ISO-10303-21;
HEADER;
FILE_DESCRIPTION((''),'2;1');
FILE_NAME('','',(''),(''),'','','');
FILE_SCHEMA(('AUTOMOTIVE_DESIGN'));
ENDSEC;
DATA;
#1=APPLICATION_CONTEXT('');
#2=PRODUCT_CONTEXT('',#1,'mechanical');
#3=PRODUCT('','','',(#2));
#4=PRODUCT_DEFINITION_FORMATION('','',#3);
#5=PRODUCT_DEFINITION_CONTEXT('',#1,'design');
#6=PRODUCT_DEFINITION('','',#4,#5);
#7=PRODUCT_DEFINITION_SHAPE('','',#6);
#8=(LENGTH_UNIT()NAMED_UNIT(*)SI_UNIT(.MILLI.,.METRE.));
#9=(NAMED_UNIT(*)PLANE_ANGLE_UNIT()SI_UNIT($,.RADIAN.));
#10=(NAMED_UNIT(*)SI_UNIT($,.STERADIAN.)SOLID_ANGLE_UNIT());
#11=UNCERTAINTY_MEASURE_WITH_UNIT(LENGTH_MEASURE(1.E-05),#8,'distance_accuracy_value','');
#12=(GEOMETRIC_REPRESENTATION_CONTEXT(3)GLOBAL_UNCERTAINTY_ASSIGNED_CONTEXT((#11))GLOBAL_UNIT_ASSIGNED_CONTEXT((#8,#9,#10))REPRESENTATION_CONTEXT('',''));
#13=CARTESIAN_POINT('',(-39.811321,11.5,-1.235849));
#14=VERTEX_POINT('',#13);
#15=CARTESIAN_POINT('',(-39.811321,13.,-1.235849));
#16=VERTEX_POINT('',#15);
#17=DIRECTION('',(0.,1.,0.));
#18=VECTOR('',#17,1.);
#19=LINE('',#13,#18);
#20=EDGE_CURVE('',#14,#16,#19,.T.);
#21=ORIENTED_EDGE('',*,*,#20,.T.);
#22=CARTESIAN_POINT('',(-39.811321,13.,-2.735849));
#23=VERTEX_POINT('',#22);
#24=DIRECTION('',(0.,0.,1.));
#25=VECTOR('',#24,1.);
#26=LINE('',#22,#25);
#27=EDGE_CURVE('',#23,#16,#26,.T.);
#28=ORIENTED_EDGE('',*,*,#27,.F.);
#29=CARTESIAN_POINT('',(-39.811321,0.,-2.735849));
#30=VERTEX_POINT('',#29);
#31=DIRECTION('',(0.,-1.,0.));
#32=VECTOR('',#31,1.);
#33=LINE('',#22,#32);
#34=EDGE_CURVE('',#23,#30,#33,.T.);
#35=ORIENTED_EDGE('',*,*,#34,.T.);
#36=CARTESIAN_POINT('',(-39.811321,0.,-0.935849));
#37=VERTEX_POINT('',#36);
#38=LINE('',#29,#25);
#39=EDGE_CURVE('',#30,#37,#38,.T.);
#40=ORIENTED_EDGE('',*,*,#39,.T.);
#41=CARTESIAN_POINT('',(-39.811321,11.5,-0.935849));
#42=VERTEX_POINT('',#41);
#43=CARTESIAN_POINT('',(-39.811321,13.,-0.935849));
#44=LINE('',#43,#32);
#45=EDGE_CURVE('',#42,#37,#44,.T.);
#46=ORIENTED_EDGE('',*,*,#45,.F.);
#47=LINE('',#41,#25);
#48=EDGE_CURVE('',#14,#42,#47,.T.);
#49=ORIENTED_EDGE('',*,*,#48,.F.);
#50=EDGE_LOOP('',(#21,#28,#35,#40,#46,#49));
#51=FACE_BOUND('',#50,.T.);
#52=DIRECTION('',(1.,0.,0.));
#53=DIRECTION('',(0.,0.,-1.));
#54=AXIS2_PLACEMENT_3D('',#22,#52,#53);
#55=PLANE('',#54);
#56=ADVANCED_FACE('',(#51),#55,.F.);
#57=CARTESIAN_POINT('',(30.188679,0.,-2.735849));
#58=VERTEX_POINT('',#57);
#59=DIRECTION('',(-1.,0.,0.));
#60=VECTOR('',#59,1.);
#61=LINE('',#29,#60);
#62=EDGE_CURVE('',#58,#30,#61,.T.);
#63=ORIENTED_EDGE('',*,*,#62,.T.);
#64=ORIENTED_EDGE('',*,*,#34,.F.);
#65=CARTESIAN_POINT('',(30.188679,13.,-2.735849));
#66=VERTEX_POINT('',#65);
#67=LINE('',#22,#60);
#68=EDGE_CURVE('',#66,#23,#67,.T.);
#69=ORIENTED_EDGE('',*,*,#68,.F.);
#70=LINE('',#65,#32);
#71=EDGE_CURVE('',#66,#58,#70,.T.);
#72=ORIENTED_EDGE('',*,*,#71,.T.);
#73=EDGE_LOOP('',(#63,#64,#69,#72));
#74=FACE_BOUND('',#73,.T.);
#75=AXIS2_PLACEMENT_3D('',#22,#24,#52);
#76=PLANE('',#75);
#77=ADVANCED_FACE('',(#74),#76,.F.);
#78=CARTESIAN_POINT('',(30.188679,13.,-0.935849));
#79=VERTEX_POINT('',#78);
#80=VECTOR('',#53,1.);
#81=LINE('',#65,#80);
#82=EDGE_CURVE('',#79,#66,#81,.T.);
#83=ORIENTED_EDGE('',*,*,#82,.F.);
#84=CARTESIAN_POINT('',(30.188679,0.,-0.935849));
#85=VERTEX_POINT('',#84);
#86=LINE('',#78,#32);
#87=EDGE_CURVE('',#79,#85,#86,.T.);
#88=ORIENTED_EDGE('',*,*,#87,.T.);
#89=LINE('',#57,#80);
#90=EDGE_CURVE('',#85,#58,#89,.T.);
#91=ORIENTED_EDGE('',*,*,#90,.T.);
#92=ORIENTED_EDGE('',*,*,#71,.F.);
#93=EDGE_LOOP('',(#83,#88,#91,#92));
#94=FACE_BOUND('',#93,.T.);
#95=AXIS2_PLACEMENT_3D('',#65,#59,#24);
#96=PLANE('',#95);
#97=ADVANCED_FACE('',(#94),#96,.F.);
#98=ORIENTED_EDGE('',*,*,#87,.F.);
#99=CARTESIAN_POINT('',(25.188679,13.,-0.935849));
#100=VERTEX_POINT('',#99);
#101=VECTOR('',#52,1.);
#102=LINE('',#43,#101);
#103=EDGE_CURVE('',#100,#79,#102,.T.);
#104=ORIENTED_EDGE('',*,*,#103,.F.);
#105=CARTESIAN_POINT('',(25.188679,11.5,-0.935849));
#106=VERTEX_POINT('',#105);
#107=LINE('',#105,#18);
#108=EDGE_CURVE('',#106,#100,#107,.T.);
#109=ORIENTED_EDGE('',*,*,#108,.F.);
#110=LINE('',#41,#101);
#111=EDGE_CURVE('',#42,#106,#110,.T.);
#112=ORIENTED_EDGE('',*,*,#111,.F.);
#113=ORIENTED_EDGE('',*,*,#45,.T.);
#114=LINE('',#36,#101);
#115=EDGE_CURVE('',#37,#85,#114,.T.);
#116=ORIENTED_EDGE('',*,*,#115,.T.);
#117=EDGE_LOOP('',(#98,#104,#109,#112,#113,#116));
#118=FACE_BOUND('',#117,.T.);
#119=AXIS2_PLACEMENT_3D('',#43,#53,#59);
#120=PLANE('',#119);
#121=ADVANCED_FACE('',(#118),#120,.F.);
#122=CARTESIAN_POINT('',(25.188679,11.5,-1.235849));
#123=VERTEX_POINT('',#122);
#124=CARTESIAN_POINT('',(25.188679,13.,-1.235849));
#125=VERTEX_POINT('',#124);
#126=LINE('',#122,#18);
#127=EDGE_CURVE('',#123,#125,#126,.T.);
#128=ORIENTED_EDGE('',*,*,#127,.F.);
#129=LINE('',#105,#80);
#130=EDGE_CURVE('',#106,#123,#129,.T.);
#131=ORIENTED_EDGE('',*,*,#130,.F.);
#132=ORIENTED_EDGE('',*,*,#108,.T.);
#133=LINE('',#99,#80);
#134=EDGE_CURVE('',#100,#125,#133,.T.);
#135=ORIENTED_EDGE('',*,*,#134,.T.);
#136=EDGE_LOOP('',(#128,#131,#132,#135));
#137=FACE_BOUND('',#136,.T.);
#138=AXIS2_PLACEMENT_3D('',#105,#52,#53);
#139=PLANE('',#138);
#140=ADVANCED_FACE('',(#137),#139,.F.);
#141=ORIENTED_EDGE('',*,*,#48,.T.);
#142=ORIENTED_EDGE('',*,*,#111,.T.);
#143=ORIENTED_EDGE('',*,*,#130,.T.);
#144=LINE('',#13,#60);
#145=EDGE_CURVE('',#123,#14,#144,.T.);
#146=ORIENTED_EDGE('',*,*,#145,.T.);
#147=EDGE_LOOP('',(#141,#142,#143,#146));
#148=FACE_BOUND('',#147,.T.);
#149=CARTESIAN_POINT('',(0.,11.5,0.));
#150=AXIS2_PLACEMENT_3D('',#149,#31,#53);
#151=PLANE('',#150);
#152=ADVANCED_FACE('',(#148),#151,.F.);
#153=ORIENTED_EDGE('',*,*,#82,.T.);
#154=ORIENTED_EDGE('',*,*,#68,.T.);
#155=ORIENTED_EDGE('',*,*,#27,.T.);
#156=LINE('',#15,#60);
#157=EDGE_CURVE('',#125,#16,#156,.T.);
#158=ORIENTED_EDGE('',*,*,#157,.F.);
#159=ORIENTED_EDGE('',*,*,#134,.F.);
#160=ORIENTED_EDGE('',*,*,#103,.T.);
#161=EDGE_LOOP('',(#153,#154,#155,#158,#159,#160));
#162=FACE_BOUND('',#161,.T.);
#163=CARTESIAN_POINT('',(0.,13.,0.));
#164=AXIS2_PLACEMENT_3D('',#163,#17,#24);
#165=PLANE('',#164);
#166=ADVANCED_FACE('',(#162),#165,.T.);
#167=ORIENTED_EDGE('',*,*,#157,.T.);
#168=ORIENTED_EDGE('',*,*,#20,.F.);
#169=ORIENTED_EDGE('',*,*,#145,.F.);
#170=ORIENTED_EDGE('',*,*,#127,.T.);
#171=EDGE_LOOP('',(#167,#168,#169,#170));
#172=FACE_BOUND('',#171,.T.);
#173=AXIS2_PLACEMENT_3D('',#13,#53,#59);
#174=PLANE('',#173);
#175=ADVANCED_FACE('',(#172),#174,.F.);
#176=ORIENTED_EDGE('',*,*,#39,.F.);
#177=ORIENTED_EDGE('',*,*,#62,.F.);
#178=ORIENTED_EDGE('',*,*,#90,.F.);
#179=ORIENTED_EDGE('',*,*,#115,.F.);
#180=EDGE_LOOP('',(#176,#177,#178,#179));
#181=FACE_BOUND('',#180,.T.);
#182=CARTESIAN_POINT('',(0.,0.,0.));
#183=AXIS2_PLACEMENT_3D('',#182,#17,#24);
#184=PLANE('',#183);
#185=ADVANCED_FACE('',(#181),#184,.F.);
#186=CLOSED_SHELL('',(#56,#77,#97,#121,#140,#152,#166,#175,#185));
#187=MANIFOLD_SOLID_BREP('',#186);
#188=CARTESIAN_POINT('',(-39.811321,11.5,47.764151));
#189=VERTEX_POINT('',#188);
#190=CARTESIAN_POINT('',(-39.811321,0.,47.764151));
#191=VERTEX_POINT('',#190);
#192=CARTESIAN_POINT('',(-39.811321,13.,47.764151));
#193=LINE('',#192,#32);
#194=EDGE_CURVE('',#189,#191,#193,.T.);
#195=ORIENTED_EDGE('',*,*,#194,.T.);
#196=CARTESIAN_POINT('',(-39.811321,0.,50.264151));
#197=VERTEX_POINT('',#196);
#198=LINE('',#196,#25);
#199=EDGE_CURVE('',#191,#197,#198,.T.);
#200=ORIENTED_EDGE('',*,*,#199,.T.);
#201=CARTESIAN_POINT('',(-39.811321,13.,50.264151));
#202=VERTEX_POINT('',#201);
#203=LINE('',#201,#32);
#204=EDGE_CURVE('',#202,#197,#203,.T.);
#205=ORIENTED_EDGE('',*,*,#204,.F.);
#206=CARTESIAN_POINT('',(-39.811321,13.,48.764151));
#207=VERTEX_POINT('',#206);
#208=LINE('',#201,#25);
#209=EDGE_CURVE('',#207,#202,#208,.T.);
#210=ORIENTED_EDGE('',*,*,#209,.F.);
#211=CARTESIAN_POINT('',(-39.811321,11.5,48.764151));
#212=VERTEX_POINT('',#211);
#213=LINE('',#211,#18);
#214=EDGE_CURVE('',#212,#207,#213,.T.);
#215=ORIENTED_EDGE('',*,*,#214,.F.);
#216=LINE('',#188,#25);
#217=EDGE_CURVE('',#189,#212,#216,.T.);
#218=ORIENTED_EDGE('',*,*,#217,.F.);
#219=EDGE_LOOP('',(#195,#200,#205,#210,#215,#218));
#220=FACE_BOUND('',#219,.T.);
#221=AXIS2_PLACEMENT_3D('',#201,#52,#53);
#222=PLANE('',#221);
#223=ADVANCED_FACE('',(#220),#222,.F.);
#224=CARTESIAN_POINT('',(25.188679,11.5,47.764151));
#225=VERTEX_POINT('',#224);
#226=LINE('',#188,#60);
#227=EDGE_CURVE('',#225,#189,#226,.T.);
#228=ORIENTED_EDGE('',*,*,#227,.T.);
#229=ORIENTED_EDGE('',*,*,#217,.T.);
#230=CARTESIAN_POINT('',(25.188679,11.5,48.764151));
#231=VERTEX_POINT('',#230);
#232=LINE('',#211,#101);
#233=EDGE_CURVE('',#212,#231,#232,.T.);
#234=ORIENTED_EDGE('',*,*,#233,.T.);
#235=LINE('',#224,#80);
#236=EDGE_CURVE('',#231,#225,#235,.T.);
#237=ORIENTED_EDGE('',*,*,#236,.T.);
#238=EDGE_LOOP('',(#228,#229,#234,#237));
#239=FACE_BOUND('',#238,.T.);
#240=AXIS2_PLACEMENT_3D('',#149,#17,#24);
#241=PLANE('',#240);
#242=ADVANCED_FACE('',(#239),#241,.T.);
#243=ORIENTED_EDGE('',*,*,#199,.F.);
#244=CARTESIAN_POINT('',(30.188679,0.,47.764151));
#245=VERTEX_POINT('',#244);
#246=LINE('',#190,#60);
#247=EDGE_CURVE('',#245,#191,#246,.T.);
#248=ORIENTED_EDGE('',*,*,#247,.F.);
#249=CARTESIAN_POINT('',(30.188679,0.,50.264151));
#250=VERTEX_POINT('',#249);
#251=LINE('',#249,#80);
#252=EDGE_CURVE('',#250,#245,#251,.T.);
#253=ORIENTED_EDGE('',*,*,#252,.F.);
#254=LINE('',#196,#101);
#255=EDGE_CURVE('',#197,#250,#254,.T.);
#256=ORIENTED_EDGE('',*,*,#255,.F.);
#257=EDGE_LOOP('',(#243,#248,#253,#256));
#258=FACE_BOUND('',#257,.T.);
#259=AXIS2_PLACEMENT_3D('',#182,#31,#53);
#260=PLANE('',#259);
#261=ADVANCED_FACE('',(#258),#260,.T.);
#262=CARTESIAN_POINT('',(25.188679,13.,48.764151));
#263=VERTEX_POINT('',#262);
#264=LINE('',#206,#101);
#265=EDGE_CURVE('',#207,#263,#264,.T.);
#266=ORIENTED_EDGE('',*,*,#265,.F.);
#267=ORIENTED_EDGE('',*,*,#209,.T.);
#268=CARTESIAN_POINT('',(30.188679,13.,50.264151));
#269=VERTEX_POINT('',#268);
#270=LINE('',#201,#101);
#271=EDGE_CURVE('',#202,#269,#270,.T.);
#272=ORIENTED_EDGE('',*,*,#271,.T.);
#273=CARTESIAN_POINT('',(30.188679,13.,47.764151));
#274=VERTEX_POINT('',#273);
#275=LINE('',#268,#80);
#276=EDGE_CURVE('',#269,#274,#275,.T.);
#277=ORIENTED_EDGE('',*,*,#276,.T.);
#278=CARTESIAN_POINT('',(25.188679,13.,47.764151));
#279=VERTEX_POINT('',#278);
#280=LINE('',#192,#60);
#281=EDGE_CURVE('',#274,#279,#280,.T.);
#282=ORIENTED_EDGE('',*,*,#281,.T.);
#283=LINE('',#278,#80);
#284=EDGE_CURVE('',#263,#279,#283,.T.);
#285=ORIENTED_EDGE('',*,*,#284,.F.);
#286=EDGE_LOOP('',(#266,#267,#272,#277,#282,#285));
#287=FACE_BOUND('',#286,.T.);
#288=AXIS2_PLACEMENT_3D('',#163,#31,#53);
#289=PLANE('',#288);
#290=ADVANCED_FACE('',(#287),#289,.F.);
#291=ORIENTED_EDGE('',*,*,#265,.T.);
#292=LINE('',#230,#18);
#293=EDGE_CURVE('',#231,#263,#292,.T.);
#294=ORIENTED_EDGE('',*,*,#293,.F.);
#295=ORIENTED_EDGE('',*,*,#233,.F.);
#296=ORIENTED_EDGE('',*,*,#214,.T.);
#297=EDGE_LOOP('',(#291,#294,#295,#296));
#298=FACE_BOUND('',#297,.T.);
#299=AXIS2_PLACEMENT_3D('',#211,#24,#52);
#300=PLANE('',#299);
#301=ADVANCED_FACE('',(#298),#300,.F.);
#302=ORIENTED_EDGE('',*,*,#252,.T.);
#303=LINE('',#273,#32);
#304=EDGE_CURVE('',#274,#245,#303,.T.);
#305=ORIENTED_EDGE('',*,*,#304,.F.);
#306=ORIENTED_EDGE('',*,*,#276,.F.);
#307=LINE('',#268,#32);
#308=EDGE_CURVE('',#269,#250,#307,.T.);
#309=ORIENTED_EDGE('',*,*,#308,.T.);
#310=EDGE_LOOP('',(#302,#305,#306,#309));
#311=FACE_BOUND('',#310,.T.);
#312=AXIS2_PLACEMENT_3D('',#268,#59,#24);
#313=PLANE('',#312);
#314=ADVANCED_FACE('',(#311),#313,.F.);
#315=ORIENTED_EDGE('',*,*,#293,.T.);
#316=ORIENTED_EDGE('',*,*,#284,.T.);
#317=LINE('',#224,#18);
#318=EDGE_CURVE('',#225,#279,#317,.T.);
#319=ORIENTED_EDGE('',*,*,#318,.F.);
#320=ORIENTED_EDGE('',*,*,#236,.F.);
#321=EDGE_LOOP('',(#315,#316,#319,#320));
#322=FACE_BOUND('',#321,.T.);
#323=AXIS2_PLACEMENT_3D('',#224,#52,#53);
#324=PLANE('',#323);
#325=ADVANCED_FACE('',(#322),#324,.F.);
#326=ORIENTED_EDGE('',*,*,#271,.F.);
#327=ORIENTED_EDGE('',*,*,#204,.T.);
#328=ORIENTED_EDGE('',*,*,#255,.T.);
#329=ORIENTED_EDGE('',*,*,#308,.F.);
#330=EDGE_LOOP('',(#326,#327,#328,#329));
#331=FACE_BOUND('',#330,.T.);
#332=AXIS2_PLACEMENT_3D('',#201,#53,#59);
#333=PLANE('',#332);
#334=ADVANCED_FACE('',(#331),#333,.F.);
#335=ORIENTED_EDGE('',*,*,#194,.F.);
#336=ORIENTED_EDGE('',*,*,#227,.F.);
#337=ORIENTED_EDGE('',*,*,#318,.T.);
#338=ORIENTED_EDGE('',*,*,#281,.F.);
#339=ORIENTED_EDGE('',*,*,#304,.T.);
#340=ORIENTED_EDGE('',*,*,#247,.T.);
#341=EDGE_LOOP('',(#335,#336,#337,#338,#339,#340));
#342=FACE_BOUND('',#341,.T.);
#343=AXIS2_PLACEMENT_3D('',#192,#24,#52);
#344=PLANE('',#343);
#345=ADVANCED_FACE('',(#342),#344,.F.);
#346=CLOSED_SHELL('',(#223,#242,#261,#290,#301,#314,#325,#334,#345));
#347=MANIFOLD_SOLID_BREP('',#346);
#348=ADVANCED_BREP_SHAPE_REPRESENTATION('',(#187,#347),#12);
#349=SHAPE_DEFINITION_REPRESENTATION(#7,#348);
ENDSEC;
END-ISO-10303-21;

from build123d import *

# Parameters (mm, degrees)
SKETCH3_W             = 70
SKETCH3_H             = 1.8
BOSS_EXTRUDE1_DEPTH   = 13
SKETCH3_H_2           = 2.5
BOSS_EXTRUDE1_2_DEPTH = 13
SKETCH4_W             = 65
SKETCH4_H             = 1
CUT_EXTRUDE1_DEPTH    = 1.5
SKETCH5_W             = 65
SKETCH5_H             = 0.3
CUT_EXTRUDE2_DEPTH    = 1.5


with BuildPart() as part:
    # Sketch3 → Boss-Extrude1 (new body)
    with BuildSketch(Plane(origin=(0, 0, 0), x_dir=(1, 0, 0), z_dir=(0, 1, 0))):
        with Locations((-4.811320755, 1.835849057)):
            Rectangle(SKETCH3_W, SKETCH3_H)
    extrude(amount=BOSS_EXTRUDE1_DEPTH)

    # Sketch5 → Cut-Extrude2 (cut)
    with BuildSketch(Plane(origin=(0, 13, 0), x_dir=(1, 0, 0), z_dir=(0, 1, 0))):
        with Locations((-7.311320755, 1.085849057)):
            Rectangle(SKETCH5_W, SKETCH5_H)
    extrude(amount=-CUT_EXTRUDE2_DEPTH, mode=Mode.SUBTRACT)


with BuildPart() as body_2:
    # Sketch3 → Boss-Extrude1 2 (new body)
    with BuildSketch(Plane(origin=(0, 0, 0), x_dir=(1, 0, 0), z_dir=(0, 1, 0))):
        with Locations((-4.811320755, -49.014150943)):
            Rectangle(SKETCH3_W, SKETCH3_H_2)
    extrude(amount=BOSS_EXTRUDE1_2_DEPTH)

    # Sketch4 → Cut-Extrude1 (cut)
    with BuildSketch(Plane(origin=(0, 13, 0), x_dir=(1, 0, 0), z_dir=(0, 1, 0))):
        with Locations((-7.311320755, -48.264150943)):
            Rectangle(SKETCH4_W, SKETCH4_H)
    extrude(amount=-CUT_EXTRUDE1_DEPTH, mode=Mode.SUBTRACT)


solid = Compound([part.part, body_2.part])
